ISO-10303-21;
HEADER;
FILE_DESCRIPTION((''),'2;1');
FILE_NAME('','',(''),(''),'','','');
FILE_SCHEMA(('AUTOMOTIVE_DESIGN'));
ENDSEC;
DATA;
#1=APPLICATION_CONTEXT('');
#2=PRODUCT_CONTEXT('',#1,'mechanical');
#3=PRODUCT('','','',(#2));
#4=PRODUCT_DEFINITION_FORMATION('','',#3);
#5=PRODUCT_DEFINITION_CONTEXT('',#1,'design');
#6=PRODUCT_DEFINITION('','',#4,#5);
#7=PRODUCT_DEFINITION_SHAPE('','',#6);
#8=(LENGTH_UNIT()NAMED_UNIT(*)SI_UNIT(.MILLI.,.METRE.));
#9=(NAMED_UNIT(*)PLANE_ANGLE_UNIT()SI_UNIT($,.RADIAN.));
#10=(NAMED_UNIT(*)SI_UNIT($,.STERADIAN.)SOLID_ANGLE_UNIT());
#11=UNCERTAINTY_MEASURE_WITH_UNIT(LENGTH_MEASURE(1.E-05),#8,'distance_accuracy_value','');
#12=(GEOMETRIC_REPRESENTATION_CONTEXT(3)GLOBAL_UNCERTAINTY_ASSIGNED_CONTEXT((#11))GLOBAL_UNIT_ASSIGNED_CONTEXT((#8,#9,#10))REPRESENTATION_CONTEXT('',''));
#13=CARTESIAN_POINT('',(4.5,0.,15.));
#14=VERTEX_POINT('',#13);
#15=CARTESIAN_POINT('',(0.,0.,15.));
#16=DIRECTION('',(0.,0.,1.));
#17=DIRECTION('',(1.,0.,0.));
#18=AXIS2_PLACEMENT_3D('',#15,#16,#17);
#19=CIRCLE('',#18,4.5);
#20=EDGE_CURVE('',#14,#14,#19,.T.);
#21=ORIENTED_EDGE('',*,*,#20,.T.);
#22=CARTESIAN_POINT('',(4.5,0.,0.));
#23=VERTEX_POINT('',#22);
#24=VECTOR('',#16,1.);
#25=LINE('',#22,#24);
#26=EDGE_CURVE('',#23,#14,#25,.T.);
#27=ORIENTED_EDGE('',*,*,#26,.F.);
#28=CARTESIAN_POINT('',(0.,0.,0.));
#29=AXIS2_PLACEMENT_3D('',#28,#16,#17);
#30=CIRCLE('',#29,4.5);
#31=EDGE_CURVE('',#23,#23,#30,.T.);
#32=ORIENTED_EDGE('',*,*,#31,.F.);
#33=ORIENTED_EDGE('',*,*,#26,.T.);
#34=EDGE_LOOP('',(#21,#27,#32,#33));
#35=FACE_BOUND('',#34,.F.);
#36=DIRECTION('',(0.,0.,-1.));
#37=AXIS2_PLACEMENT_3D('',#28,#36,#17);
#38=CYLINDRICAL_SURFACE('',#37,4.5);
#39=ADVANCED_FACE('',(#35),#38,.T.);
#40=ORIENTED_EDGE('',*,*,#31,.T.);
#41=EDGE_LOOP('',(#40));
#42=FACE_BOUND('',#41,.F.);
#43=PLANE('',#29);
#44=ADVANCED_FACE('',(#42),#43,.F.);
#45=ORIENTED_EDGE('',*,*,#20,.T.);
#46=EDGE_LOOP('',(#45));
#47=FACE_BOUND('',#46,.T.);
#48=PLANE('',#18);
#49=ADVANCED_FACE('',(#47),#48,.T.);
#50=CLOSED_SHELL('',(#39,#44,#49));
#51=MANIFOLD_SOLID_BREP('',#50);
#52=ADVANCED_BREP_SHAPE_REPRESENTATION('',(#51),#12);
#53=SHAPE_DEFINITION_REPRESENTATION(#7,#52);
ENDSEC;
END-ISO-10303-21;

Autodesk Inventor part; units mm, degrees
ref_plane "YZ Plane" through (0, 0, 0) normal (1, 0, 0) x (0, 1, 0)
ref_plane "XZ Plane" through (0, 0, 0) normal (0, 1, 0) x (-1, 0, 0)
ref_plane "XY Plane" through (0, 0, 0) normal (0, 0, 1) x (1, 0, 0)
sketch "Sketch25" plane through (0, 0, 0) normal (0, 0, 1) x (1, 0, 0)
  circle A0 centre (0, 0) radius 4.5
  dimension "d81" = 9
extrude "Extrusion20" add sketch "Sketch25" along normal blind 15
properties part number "fixation_feet"
